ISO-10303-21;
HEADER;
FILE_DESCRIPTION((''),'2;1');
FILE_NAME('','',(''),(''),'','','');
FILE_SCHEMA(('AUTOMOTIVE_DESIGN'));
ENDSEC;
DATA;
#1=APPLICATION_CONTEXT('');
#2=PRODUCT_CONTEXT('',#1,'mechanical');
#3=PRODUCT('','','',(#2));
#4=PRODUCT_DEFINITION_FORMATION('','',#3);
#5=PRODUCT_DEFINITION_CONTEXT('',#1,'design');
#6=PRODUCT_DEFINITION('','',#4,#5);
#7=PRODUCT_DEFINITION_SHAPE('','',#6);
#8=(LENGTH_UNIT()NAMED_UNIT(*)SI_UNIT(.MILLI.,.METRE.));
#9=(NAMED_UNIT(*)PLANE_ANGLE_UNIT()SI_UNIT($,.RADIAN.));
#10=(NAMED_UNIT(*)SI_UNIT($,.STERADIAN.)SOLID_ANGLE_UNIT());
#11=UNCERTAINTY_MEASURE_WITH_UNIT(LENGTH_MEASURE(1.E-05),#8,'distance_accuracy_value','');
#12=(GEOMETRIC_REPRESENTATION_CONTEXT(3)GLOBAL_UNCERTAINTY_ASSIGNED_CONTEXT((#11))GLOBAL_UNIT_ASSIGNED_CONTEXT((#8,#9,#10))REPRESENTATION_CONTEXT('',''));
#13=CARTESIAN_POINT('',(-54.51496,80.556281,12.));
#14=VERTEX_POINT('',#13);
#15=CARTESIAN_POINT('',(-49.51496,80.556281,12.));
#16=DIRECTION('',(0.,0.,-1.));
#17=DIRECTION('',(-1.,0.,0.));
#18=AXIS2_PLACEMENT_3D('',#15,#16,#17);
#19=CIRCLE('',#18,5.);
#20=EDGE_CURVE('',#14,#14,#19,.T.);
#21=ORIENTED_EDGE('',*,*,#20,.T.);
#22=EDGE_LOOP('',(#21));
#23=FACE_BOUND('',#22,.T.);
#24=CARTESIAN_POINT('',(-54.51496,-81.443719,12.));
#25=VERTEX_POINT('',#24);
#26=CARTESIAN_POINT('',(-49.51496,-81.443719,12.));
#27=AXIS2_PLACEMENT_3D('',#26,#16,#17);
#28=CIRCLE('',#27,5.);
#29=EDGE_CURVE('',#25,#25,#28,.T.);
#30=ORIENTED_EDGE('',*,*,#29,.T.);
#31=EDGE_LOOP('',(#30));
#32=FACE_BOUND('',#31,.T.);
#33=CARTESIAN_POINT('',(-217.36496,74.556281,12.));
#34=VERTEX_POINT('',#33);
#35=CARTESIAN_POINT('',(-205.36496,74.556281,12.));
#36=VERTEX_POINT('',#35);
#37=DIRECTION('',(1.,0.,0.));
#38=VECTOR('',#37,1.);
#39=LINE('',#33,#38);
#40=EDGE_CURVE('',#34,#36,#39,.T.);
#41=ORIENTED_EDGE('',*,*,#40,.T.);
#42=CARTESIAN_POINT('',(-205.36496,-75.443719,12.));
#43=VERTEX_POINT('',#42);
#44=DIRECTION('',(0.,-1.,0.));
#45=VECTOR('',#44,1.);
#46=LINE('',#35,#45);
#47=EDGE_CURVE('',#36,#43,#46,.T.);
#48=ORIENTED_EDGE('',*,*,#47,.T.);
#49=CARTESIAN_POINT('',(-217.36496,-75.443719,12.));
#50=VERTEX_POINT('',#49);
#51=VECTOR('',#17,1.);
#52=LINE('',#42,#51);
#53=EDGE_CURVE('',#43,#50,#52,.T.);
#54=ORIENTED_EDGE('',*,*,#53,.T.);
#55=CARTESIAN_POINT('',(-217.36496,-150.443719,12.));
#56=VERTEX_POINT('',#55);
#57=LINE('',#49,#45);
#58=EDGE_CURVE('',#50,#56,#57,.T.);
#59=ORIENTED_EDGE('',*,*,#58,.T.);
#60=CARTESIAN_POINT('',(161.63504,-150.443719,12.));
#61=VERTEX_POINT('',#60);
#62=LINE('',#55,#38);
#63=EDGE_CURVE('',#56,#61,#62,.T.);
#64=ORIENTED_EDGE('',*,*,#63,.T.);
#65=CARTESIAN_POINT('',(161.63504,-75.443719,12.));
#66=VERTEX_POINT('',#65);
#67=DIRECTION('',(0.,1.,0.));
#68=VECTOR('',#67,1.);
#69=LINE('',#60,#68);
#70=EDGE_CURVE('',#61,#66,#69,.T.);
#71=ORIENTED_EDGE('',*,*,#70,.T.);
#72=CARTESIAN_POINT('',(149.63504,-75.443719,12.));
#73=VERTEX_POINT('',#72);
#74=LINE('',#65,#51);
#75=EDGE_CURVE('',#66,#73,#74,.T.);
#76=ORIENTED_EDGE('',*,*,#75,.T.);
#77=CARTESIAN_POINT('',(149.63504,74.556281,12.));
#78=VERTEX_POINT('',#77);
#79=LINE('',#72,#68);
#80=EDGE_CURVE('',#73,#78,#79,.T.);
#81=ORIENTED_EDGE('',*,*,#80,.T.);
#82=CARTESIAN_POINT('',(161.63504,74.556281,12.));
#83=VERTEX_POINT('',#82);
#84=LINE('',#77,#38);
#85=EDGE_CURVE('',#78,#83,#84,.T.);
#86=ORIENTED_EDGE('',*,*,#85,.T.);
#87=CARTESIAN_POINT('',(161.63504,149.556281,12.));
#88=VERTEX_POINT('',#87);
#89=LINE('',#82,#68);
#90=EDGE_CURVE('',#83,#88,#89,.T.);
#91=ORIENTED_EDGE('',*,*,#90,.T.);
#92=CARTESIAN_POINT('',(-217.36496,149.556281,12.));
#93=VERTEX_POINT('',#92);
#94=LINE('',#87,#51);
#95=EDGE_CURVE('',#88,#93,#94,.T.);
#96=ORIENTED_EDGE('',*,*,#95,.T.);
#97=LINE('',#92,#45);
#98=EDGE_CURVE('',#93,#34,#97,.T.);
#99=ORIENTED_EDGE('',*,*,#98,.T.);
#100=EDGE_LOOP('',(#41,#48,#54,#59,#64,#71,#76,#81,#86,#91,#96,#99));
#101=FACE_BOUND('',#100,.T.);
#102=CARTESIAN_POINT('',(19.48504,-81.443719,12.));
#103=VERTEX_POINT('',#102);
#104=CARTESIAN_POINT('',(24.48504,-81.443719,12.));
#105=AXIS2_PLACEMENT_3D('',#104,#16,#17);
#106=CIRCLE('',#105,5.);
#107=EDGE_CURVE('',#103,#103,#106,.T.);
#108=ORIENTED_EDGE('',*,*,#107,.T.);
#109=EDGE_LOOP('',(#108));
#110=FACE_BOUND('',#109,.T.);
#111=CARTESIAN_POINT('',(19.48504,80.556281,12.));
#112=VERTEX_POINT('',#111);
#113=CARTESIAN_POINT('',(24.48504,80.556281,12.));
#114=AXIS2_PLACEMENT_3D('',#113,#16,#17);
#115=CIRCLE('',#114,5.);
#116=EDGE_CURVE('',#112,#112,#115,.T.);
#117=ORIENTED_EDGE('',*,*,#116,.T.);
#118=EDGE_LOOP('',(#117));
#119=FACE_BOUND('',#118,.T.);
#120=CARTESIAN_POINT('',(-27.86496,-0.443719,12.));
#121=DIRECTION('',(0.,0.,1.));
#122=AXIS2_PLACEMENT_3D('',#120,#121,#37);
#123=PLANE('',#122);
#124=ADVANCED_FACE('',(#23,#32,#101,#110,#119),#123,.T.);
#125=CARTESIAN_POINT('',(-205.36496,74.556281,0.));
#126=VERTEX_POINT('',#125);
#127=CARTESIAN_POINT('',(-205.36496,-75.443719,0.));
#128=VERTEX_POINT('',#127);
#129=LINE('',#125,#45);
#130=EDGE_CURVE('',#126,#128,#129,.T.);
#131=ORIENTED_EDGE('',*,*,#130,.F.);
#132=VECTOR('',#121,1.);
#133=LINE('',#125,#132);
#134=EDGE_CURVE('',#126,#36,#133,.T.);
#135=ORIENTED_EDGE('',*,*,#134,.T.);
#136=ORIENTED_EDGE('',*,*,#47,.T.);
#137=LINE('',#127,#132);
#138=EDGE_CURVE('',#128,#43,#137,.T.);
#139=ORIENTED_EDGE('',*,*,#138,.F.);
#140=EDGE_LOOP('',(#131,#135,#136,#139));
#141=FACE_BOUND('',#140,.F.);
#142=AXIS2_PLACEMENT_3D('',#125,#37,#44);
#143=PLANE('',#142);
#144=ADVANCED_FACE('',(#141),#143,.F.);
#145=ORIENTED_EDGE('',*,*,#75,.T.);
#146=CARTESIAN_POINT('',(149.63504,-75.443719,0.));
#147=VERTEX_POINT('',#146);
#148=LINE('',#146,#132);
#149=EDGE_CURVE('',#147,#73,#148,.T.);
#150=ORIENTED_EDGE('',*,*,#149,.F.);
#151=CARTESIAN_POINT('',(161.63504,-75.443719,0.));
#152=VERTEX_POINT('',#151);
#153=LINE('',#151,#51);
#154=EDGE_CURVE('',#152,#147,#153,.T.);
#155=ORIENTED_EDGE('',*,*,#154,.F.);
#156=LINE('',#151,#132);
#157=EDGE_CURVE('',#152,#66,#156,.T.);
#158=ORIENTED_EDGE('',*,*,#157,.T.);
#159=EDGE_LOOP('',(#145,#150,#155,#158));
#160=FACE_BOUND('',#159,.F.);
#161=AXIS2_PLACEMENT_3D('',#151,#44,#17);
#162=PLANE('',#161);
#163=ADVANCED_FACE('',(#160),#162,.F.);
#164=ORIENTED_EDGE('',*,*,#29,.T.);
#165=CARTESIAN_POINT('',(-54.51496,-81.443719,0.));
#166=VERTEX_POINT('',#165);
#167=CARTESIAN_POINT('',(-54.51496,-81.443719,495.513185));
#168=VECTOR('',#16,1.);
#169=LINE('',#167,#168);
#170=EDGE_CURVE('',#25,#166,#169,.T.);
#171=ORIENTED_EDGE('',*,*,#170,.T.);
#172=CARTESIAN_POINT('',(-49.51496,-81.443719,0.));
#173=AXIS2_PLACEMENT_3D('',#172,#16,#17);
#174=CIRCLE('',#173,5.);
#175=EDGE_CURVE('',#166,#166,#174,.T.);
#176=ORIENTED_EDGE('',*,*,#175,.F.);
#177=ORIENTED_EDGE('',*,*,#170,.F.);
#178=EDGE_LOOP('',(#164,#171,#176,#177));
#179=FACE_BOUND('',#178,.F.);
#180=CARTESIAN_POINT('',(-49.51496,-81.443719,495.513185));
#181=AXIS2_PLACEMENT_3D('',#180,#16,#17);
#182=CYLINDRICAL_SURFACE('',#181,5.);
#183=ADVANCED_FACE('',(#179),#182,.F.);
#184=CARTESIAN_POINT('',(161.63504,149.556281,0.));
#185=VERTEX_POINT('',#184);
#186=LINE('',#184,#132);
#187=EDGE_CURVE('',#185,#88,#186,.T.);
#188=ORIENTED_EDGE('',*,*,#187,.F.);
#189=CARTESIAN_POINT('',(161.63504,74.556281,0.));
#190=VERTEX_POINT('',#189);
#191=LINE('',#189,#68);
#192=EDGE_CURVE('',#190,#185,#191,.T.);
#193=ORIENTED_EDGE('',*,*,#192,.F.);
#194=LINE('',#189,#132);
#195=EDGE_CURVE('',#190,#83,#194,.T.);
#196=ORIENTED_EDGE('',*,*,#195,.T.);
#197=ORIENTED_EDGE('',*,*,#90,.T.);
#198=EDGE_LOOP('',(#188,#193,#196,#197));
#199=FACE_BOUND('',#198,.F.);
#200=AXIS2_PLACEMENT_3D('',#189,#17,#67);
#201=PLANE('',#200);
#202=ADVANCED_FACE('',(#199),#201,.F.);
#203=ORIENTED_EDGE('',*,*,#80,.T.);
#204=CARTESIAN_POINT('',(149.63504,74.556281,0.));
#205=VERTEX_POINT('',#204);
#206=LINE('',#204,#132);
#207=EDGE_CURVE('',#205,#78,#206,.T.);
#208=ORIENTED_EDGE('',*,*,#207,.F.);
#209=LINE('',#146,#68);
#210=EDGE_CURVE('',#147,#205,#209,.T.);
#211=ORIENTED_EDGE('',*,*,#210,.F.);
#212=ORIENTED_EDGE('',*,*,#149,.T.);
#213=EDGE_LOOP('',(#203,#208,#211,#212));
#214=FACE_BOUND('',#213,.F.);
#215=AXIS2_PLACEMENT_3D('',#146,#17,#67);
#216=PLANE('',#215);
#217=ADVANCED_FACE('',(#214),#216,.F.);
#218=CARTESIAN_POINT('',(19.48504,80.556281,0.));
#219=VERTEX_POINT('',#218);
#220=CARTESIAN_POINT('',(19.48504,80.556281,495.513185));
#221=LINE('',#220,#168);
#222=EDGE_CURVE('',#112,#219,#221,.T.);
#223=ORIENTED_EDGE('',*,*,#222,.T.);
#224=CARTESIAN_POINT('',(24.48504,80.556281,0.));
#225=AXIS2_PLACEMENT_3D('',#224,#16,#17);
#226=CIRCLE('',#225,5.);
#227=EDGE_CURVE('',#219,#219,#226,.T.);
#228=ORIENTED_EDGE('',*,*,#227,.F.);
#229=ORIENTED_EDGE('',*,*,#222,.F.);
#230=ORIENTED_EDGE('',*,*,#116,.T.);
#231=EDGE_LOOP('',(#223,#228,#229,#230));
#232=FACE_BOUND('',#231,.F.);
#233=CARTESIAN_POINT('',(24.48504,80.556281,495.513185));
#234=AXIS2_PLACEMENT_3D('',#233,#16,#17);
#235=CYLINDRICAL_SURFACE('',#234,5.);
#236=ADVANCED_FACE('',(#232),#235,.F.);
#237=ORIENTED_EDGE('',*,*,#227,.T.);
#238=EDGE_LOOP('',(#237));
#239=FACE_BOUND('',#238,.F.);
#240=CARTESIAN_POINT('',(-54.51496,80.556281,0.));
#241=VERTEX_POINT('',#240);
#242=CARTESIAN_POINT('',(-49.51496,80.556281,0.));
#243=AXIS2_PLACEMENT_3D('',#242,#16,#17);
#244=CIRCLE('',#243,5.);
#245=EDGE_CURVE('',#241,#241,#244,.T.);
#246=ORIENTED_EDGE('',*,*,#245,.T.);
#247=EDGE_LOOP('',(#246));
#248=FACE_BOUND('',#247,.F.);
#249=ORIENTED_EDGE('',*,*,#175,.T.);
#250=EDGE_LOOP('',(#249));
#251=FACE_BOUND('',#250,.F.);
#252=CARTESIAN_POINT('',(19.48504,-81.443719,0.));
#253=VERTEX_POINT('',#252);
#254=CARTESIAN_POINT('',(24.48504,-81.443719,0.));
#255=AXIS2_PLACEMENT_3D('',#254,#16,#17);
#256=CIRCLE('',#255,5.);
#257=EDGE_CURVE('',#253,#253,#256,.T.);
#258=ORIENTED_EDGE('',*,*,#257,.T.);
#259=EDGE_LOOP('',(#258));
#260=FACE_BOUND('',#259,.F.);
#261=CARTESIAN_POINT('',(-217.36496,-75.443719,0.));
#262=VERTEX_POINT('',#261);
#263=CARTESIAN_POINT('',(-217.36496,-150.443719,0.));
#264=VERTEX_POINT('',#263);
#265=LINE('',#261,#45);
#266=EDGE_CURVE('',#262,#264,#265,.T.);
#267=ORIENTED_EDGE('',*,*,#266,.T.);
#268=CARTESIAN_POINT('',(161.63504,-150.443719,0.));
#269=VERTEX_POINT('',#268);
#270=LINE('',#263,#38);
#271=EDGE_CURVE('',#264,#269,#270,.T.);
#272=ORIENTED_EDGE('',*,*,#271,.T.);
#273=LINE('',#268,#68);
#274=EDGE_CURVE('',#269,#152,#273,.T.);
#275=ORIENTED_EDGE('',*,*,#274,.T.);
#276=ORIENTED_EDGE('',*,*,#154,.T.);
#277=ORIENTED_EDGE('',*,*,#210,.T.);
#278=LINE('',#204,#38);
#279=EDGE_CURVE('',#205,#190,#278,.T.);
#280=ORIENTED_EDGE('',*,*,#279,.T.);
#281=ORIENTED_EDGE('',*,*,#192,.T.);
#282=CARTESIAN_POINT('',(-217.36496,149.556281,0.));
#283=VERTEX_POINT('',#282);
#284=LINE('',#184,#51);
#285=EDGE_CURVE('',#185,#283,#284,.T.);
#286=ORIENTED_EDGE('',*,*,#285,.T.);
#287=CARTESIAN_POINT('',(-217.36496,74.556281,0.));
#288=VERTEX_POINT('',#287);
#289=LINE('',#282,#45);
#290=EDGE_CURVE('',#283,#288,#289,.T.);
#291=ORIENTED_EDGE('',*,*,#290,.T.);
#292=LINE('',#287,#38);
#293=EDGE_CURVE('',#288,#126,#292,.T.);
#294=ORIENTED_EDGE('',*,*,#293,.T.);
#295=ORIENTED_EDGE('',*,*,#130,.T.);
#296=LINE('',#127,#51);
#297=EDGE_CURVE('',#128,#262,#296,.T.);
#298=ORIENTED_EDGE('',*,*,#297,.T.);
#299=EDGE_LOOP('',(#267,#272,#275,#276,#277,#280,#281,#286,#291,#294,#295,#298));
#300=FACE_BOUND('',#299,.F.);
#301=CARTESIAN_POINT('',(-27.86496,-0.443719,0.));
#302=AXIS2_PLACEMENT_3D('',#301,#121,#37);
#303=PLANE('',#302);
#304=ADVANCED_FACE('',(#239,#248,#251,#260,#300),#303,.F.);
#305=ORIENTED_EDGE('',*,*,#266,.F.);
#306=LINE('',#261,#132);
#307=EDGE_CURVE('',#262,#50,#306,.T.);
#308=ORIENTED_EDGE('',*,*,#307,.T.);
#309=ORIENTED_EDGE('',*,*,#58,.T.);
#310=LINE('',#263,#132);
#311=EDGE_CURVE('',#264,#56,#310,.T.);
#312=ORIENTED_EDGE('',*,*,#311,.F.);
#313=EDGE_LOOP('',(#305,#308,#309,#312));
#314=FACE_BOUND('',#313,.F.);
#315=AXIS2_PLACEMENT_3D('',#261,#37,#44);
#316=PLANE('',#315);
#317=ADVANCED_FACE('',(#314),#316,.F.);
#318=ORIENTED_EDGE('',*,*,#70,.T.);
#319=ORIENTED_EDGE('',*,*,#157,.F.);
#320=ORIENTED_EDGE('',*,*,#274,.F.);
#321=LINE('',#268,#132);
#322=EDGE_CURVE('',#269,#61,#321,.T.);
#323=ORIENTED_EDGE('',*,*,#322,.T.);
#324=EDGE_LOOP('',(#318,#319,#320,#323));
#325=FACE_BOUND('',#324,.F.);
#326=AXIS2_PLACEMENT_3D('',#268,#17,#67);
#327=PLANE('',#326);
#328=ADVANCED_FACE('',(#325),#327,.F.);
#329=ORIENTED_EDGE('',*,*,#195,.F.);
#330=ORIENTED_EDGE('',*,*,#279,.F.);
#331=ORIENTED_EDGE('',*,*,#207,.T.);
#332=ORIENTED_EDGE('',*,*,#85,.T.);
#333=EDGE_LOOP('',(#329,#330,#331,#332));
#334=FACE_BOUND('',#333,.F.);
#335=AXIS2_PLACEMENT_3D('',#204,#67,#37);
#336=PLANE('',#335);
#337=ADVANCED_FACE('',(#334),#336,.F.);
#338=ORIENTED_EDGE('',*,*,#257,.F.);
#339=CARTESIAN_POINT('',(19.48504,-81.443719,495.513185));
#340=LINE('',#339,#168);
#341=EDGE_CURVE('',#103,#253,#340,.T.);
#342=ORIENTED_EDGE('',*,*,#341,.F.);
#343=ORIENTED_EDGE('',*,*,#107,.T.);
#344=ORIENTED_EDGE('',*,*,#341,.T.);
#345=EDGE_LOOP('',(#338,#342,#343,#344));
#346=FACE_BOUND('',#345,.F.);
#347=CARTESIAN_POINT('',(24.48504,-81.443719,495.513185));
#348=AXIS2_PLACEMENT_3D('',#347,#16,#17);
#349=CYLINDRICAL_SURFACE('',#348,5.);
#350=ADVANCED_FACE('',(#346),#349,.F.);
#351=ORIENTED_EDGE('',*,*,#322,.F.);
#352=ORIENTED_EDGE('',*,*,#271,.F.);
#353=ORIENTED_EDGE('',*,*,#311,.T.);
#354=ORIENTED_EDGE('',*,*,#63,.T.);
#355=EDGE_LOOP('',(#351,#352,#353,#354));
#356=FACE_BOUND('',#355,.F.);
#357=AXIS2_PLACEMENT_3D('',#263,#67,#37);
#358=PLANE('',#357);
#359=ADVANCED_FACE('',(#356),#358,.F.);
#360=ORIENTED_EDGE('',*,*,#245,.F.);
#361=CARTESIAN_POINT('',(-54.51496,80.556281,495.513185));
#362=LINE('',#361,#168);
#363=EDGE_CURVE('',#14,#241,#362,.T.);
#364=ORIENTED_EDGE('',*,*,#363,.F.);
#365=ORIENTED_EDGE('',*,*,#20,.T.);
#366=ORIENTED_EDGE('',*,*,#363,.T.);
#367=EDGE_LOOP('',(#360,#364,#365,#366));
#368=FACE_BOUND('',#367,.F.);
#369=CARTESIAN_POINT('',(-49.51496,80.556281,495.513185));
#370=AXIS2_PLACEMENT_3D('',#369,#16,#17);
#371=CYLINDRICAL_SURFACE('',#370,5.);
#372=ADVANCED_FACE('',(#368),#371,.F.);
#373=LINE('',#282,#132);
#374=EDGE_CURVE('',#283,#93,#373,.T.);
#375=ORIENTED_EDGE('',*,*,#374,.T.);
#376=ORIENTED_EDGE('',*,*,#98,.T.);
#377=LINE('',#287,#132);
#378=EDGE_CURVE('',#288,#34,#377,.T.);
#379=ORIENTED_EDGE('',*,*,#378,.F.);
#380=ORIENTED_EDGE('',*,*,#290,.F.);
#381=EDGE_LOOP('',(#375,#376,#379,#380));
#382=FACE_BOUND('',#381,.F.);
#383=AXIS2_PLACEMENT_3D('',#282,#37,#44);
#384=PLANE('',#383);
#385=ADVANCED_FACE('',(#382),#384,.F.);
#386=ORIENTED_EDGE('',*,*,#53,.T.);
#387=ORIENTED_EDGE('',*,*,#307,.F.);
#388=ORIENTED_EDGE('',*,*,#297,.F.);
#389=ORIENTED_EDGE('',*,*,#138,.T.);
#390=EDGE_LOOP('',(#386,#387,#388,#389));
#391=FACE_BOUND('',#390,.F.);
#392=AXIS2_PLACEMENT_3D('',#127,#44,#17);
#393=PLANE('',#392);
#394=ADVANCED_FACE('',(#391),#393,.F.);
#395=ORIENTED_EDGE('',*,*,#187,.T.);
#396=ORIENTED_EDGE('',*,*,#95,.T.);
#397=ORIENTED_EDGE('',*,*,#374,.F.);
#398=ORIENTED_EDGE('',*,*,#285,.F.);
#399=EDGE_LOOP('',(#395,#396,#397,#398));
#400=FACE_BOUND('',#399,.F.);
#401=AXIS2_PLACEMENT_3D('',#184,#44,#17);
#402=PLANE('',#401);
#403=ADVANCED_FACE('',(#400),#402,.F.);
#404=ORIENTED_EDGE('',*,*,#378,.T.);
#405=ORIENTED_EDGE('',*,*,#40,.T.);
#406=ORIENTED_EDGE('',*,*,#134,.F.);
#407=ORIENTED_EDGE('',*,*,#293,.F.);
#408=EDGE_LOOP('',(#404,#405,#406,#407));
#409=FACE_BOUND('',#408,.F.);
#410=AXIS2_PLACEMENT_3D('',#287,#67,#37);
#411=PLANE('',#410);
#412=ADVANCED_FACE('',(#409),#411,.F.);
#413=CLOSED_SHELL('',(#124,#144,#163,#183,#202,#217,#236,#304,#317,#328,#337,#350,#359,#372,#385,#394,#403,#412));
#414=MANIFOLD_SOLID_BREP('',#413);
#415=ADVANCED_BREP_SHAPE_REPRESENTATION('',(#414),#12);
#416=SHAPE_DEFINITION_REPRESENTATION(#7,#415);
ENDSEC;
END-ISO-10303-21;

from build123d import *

# Parameters (mm, degrees)
F1_DEPTH = 12
F3_D     = 10


with BuildPart() as f1:
    # F0 (on Top) → F1 (new body)
    with BuildSketch(Plane.XY):
        Polygon((161.6350401939, 149.5562807401), (-217.3649598061, 149.5562807401), (-217.3649598061, 74.5562807401), (-205.3649598061, 74.5562807401), (-205.3649598061, -75.4437192599), (-217.3649598061, -75.4437192599), (-217.3649598061, -150.4437192599), (161.6350401939, -150.4437192599), (161.6350401939, -75.4437192599), (149.6350401939, -75.4437192599), (149.6350401939, 74.5562807401), (161.6350401939, 74.5562807401), align=None)
    extrude(amount=F1_DEPTH)

    # F3 (through all)
    with Locations(Plane.XY.offset(12)):
        with Locations((-49.5149598061, 80.5562807401), (24.4850401939, 80.5562807401), (24.4850401939, -81.4437192599), (-49.5149598061, -81.4437192599)):
            Hole(F3_D / 2)


solid = f1.part
